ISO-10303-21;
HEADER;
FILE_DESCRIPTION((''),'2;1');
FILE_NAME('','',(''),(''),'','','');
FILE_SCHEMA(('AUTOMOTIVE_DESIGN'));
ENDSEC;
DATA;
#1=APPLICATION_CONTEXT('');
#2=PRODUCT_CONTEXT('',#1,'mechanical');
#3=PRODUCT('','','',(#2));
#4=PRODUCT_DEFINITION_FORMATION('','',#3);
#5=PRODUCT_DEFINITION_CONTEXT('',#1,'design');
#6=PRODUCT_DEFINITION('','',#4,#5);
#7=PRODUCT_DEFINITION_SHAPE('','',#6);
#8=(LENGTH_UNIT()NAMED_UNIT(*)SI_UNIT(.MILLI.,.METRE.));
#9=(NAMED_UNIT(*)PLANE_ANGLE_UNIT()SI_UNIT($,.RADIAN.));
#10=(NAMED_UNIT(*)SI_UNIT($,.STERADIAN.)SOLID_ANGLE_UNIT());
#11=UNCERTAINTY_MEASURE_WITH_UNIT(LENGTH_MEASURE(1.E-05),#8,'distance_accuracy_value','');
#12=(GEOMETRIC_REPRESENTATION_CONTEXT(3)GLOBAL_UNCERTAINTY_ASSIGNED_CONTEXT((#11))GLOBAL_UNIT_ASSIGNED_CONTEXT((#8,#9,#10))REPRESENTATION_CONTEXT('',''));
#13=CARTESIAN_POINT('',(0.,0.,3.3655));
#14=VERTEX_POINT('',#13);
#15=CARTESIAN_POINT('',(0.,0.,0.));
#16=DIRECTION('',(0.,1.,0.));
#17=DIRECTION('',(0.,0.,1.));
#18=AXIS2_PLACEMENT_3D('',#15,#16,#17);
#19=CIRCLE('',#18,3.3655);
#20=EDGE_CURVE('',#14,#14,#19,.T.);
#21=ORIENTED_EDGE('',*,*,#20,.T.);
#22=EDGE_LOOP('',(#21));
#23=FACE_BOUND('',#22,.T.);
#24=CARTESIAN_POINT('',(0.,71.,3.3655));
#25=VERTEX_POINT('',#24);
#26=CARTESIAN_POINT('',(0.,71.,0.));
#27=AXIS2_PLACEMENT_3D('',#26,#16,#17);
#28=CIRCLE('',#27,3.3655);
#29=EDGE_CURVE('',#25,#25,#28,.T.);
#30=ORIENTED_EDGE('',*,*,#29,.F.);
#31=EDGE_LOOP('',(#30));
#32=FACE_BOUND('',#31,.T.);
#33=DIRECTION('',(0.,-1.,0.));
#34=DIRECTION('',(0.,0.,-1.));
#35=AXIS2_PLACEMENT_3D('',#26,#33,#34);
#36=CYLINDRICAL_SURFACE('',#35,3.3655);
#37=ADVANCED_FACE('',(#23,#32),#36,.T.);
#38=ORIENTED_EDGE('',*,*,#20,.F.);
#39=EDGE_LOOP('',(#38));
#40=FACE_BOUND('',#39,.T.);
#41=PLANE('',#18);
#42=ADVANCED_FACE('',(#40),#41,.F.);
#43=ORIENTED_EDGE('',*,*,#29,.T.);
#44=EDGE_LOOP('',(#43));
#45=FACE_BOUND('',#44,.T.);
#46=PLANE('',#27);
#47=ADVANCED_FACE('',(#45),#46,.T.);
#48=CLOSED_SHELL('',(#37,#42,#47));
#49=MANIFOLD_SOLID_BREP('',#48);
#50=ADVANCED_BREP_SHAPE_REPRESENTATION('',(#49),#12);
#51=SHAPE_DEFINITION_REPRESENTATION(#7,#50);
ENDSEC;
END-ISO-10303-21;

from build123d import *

# Parameters (mm, degrees)
SKETCH1_R           = 3.3655
BOSS_EXTRUDE1_DEPTH = 71


with BuildPart() as part:
    # Sketch1 → Boss-Extrude1 (new body)
    with BuildSketch(Plane(origin=(0, 0, 0), x_dir=(1, 0, 0), z_dir=(0, 1, 0))):
        Circle(SKETCH1_R)
    extrude(amount=BOSS_EXTRUDE1_DEPTH)


solid = part.part
